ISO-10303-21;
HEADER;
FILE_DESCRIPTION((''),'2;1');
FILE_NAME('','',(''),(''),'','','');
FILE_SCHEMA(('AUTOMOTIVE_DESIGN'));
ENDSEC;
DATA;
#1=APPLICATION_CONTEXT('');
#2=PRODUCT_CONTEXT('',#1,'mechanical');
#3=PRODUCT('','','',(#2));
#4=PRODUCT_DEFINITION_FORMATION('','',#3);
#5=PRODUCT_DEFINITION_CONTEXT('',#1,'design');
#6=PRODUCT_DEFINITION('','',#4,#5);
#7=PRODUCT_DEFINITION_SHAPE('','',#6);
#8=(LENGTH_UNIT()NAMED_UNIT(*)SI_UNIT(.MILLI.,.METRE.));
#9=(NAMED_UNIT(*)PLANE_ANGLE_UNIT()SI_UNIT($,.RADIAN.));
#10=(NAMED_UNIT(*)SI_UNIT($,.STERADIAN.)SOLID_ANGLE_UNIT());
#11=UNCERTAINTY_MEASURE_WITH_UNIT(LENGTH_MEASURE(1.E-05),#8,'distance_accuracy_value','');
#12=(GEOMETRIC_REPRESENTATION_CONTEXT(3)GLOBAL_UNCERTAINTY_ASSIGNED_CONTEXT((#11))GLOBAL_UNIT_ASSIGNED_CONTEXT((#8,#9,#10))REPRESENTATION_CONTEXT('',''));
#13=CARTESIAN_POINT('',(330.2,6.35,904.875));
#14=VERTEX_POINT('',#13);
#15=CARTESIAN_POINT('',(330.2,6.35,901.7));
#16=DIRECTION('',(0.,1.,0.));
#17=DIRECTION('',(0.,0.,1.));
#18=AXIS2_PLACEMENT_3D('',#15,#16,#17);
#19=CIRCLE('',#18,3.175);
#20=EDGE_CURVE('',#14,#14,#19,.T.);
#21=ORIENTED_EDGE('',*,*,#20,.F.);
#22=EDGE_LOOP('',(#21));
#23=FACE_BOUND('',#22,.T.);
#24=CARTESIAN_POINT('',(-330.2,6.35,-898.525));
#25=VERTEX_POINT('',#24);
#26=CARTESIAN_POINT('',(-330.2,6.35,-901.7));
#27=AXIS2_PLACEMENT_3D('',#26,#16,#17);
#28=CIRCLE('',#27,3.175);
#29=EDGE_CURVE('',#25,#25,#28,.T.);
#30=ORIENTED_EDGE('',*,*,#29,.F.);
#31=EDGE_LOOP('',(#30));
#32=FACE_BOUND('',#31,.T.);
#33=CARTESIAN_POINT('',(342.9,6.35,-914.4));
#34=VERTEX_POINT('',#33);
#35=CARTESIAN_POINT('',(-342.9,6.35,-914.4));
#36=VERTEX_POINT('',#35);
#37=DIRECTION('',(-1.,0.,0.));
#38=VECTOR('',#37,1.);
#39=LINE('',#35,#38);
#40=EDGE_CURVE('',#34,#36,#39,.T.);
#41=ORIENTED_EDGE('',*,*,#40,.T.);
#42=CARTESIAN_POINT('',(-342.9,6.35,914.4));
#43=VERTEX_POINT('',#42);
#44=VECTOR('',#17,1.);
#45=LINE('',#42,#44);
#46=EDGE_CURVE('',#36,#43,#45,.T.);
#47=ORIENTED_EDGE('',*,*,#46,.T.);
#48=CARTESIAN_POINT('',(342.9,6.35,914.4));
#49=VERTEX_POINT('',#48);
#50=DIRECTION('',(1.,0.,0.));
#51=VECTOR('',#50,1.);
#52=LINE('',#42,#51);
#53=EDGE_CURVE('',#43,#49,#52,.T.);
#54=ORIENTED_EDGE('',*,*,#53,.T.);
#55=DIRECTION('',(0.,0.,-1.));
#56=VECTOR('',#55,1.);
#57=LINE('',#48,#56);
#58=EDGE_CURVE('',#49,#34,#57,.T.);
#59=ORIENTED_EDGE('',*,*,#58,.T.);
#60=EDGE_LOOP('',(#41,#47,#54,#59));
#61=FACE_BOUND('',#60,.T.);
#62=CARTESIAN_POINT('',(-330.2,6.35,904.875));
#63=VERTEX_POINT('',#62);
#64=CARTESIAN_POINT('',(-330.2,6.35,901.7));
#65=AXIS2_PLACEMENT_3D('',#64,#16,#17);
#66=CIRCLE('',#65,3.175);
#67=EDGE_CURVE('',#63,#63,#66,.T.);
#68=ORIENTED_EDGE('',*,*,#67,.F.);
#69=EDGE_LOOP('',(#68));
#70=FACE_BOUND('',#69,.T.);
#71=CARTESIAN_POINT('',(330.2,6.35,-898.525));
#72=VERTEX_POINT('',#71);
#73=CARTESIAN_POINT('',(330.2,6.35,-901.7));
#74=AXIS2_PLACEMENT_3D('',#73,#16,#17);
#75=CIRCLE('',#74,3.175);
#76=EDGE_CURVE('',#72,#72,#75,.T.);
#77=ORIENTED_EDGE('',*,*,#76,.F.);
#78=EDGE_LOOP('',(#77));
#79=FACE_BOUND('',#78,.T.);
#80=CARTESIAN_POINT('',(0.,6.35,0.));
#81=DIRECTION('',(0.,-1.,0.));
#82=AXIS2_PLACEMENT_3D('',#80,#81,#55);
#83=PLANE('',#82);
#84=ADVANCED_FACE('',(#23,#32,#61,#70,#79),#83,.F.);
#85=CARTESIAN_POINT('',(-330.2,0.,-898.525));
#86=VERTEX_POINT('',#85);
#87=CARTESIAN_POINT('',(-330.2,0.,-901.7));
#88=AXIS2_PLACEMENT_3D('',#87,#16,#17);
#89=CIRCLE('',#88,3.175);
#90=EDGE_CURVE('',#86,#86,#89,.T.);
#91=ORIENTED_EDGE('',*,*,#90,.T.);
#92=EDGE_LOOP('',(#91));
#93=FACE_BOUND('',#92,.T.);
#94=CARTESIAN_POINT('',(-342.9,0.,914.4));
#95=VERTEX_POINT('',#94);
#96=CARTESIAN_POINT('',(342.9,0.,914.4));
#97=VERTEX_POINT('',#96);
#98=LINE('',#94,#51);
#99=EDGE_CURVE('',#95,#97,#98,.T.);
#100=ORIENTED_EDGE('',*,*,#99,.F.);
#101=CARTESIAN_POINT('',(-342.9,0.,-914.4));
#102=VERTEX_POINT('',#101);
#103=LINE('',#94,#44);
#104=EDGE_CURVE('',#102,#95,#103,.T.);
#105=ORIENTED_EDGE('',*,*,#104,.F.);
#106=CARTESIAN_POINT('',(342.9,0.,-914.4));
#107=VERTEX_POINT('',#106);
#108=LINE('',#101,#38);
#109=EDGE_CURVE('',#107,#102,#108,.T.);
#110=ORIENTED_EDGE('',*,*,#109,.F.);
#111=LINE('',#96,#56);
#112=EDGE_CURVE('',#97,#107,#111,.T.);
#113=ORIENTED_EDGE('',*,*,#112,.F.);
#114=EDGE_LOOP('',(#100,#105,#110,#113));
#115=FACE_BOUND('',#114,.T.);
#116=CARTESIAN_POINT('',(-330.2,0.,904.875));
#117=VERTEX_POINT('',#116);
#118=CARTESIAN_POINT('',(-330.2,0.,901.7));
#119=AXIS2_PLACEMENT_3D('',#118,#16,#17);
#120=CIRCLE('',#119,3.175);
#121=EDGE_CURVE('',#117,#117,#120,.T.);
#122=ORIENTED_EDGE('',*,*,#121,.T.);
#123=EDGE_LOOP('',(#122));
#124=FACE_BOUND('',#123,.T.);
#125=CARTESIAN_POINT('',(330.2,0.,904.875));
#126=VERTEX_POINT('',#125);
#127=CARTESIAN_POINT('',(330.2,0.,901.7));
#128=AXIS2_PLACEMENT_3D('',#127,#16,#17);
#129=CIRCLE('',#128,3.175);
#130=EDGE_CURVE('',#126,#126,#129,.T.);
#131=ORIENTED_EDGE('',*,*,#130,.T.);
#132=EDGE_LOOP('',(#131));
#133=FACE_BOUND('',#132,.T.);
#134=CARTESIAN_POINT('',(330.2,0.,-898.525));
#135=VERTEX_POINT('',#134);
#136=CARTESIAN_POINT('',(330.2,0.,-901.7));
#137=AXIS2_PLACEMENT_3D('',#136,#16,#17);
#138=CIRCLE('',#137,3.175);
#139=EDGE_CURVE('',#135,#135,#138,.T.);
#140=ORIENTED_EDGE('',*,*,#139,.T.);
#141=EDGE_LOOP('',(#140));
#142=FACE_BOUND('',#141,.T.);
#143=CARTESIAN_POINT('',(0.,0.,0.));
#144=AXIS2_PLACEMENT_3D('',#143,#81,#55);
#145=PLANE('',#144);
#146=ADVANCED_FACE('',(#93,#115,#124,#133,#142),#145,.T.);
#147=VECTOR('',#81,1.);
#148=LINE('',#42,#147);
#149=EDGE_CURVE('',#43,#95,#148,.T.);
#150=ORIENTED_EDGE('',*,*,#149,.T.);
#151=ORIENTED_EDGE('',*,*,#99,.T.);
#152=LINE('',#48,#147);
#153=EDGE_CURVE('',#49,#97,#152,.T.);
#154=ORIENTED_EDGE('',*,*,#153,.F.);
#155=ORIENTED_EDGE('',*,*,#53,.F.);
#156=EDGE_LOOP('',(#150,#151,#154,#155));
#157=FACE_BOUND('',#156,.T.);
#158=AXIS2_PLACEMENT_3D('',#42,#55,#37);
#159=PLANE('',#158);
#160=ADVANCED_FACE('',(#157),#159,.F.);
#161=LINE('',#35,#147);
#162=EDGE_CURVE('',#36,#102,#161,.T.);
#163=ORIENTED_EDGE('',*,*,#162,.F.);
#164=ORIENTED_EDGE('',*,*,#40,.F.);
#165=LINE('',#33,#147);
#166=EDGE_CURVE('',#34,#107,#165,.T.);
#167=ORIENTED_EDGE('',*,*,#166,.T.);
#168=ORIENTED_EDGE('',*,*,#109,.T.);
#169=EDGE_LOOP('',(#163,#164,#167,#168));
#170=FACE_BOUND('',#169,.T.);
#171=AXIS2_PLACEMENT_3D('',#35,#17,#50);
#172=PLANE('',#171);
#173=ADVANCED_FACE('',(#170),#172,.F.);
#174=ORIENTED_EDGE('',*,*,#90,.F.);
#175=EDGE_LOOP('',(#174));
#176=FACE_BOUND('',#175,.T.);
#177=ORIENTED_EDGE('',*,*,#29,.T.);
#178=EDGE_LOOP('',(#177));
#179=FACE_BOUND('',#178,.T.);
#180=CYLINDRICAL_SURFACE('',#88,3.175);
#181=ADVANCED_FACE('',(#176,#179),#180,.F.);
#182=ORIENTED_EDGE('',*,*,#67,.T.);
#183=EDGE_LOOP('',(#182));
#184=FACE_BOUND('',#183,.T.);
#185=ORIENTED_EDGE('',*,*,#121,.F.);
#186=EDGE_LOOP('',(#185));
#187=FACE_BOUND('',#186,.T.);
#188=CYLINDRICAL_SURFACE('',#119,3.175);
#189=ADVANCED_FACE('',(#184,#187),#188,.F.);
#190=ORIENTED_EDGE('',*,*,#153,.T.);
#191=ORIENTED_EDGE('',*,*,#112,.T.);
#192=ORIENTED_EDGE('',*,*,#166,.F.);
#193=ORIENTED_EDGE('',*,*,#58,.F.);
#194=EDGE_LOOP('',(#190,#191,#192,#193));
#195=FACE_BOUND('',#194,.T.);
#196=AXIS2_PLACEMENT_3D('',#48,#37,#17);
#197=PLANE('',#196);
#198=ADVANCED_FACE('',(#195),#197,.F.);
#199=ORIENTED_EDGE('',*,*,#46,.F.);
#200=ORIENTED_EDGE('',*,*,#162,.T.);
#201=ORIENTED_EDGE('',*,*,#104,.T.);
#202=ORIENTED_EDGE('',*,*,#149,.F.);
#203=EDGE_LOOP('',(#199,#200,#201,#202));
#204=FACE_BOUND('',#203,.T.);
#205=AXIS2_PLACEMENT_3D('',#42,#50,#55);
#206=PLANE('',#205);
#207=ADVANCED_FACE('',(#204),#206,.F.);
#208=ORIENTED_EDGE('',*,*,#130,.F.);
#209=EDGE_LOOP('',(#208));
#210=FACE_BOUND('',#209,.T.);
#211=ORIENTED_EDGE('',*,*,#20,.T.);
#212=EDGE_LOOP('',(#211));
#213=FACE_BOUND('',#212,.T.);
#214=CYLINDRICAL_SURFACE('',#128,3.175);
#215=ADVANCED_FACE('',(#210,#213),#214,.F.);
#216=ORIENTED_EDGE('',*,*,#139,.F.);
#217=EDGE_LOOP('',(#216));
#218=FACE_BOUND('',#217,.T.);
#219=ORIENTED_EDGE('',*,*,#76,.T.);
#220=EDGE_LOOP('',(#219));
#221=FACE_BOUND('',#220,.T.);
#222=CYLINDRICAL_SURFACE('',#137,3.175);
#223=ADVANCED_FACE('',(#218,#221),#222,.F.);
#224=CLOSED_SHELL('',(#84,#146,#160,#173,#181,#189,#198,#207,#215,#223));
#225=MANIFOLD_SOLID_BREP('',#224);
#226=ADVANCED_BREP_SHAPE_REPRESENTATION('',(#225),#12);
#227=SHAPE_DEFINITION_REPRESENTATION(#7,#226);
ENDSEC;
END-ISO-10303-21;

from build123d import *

# Parameters (mm, degrees)
SKETCH1_W           = 685.8
SKETCH1_H           = 1828.8
BOSS_EXTRUDE1_DEPTH = 6.35
SKETCH2_R           = 3.175
CUT_EXTRUDE1_DEPTH  = 977.600272629


with BuildPart() as part:
    # Sketch1 → Boss-Extrude1 (new body)
    with BuildSketch(Plane(origin=(0, 0, 0), x_dir=(1, 0, 0), z_dir=(0, 1, 0))):
        Rectangle(SKETCH1_W, SKETCH1_H)
    extrude(amount=BOSS_EXTRUDE1_DEPTH)

    # Sketch2 → Cut-Extrude1 (cut, through all)
    with BuildSketch(Plane(origin=(0, 6.35, 0), x_dir=(1, 0, 0), z_dir=(0, 1, 0))):
        with Locations(Location((330.2, -901.7, 0), (0, 0, 270))):
            Circle(SKETCH2_R)
        with Locations(Location((-330.2, -901.7, 0), (0, 0, 270))):
            Circle(SKETCH2_R)
        with Locations(Location((330.2, 901.7, 0), (0, 0, 270))):
            Circle(SKETCH2_R)
        with Locations(Location((-330.2, 901.7, 0), (0, 0, 270))):
            Circle(SKETCH2_R)
    extrude(amount=-CUT_EXTRUDE1_DEPTH, mode=Mode.SUBTRACT)


solid = part.part
